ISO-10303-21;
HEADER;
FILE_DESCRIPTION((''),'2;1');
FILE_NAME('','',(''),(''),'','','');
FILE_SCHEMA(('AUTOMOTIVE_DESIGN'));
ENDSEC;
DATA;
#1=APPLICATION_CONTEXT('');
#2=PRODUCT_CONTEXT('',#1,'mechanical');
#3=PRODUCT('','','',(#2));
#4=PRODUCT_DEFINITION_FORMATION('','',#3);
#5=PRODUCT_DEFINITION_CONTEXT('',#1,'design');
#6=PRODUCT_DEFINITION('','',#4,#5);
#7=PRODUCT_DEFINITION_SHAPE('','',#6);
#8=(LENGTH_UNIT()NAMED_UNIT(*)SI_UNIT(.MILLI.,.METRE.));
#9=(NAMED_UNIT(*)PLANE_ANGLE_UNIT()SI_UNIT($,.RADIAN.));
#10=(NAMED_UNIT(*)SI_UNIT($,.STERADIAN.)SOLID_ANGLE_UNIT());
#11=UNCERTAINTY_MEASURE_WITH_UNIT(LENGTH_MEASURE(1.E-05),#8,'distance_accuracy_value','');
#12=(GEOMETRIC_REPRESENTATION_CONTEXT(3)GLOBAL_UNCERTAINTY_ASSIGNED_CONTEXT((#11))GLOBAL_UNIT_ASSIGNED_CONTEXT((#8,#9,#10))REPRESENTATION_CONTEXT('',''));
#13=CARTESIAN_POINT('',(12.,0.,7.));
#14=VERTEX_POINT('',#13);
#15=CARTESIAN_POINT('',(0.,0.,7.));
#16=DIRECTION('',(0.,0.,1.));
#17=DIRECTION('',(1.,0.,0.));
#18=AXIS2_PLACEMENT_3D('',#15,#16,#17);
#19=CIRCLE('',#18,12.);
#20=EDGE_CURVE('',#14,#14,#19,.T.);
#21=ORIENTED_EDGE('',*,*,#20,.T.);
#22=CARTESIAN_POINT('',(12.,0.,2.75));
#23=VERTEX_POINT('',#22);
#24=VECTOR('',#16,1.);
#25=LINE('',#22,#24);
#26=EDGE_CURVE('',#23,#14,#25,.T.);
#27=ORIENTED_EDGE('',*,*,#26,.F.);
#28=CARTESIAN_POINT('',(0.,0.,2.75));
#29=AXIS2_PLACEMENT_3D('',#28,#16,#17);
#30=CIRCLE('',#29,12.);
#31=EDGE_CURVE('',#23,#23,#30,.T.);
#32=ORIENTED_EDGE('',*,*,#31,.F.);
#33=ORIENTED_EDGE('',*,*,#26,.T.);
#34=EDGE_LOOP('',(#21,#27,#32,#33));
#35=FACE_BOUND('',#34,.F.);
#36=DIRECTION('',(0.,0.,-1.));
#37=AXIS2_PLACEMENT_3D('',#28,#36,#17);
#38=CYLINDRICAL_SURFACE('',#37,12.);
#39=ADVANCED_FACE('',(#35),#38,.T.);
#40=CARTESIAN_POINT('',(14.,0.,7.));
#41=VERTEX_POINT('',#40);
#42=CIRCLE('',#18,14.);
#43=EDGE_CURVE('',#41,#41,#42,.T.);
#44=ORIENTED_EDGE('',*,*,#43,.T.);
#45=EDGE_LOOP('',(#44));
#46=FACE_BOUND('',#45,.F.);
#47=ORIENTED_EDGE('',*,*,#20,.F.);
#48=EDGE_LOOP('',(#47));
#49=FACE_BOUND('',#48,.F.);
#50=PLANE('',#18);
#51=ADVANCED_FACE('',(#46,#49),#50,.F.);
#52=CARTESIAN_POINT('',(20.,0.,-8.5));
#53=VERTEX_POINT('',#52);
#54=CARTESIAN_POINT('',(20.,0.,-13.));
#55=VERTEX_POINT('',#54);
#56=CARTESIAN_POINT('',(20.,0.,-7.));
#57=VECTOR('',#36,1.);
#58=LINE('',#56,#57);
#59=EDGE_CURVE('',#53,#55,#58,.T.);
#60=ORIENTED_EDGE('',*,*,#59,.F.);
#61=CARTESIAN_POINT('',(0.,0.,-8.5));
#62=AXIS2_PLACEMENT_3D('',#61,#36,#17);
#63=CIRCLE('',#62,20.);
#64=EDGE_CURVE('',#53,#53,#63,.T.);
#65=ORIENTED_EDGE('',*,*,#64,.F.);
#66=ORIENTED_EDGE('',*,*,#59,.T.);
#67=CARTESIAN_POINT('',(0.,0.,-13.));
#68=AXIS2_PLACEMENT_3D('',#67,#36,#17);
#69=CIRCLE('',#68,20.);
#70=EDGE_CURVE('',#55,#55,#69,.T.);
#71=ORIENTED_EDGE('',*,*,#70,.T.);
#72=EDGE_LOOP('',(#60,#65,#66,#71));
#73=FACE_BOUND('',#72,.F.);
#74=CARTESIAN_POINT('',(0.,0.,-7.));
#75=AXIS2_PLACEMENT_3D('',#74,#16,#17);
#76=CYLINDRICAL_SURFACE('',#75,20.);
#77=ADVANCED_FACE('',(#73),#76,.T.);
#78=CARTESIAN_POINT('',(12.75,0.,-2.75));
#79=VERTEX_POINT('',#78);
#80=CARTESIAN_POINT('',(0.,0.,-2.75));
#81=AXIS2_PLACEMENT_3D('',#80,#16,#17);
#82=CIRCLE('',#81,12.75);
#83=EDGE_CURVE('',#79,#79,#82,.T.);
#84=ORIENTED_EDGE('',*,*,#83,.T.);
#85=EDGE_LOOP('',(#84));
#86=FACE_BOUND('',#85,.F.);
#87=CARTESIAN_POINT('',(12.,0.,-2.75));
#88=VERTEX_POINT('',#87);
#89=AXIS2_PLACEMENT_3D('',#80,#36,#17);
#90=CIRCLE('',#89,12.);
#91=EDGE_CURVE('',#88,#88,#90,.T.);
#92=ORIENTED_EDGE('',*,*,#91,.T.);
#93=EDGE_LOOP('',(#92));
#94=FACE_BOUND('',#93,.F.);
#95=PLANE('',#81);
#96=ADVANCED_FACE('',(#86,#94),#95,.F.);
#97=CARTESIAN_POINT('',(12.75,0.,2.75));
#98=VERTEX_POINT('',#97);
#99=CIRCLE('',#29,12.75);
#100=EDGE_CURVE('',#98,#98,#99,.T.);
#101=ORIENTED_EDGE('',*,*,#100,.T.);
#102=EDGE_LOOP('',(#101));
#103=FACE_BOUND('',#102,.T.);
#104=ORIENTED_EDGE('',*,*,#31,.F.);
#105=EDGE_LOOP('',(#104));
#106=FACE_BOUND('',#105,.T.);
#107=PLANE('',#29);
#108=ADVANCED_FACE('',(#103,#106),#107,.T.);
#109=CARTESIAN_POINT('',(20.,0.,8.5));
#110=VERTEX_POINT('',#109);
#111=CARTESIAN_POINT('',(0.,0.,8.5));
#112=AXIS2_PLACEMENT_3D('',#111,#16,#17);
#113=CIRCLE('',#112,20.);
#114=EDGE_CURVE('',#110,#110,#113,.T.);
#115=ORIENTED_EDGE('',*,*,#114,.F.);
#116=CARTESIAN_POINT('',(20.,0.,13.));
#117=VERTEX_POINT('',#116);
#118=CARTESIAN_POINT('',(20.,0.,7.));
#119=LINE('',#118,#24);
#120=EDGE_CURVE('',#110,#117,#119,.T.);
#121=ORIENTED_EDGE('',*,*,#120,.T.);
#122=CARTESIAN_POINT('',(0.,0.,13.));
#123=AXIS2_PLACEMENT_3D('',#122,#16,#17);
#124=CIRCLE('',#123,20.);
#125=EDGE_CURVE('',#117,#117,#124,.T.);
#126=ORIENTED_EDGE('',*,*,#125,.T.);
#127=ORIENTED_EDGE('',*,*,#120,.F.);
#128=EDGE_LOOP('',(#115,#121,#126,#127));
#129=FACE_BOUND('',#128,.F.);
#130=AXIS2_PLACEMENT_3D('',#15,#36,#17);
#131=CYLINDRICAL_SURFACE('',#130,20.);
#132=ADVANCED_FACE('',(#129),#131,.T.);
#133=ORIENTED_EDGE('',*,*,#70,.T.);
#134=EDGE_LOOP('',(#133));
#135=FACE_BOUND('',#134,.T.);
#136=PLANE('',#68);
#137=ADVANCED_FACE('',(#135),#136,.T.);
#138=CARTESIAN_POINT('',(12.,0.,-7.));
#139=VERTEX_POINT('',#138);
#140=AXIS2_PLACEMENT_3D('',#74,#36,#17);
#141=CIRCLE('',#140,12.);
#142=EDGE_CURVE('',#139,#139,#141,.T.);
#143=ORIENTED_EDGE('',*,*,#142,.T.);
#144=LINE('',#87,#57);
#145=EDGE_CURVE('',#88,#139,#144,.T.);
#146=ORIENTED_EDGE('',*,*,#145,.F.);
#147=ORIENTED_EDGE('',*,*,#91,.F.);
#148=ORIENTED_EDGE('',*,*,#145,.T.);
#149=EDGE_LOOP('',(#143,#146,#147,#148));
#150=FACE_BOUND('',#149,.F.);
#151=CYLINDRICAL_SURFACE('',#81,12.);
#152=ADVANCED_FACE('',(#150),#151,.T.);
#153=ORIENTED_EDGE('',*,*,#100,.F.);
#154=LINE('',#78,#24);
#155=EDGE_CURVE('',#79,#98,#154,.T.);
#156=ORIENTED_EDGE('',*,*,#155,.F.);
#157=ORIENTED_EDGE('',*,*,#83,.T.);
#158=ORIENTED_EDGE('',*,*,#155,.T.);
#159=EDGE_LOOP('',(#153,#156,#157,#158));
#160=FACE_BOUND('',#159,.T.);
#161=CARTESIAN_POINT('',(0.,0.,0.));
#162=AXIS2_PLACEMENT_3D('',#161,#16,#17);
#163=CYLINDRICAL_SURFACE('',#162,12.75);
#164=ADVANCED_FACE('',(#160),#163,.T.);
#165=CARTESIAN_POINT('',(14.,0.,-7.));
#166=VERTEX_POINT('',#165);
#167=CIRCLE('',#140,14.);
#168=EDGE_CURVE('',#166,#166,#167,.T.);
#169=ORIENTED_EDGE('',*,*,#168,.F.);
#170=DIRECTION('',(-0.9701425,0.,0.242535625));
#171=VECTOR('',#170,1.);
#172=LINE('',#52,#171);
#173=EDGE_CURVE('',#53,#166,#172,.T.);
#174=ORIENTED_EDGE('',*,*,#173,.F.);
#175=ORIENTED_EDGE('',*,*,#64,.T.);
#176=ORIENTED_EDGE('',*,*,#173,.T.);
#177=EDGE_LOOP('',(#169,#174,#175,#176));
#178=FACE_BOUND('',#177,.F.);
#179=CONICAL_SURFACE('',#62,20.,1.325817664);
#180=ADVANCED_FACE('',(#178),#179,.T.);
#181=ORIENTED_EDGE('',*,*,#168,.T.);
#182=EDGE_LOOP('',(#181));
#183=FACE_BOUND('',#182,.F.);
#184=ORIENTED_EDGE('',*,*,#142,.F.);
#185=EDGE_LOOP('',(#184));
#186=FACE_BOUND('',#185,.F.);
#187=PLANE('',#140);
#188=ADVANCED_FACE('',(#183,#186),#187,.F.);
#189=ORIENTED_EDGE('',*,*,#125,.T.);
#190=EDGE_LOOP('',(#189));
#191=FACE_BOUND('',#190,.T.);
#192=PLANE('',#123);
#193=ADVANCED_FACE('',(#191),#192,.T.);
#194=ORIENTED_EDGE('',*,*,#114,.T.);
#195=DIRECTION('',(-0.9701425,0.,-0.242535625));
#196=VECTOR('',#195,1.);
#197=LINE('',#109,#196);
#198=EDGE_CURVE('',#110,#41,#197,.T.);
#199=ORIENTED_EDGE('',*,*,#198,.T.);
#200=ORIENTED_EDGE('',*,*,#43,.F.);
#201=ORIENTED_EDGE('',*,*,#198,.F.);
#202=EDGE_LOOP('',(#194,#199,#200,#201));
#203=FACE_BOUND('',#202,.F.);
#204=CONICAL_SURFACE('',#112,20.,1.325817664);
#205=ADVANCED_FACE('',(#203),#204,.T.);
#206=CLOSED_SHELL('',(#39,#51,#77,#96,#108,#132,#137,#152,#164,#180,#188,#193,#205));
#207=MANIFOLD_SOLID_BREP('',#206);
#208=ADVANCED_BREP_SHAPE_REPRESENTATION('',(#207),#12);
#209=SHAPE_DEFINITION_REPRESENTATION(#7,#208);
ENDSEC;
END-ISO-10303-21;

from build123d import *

# Parameters (mm, degrees)
F0_R      = 12.75
F1_DEPTH  = 2.75
F2_R      = 12
F3_DEPTH  = 4.25
F4_R      = 20
F5_DEPTH  = 6
F6_SIZE2  = 6
F6_SIZE   = 1.5
F7_R      = 12
F8_DEPTH  = 4.25
F9_R      = 20
F10_DEPTH = 6
F11_SIZE2 = 6
F11_SIZE  = 1.5


with BuildPart() as f1:
    # F0 (on Top) → F1 (new body, symmetric)
    with BuildSketch(Plane.XY):
        Circle(F0_R)
    extrude(amount=F1_DEPTH, both=True)

    # F2 (on face) → F3 (join)
    with BuildSketch(Plane.XY.offset(2.75)):
        Circle(F2_R)
    extrude(amount=F3_DEPTH)



with BuildPart() as f5:
    # F4 (on face) → F5 (new body)
    with BuildSketch(Plane(origin=(0, 0, -7), x_dir=(1, 0, 0), z_dir=(0, 0, -1))):
        Circle(F4_R)
    extrude(amount=F5_DEPTH)

    # F6
    f6_edges = [f5.edges().sort_by_distance(p)[0] for p in [
        (-20, 0, -7),
    ]]
    chamfer(f6_edges, length=F6_SIZE, length2=F6_SIZE2)


with BuildPart() as f1_1:
    add(f1.part)

    add(f5.part)  # F8 merges F5
    # F7 (on face) → F8 (join)
    with BuildSketch(Plane(origin=(0, 0, -2.75), x_dir=(1, 0, 0), z_dir=(0, 0, -1))):
        Circle(F7_R)
    extrude(amount=F8_DEPTH)

    # F9 (on face) → F10 (join)
    with BuildSketch(Plane.XY.offset(7)):
        Circle(F9_R)
    extrude(amount=F10_DEPTH)

    # F11
    f11_edges = [f1_1.edges().sort_by_distance(p)[0] for p in [
        (-20, 0, 7),
    ]]
    chamfer(f11_edges, length=F11_SIZE, length2=F11_SIZE2)


solid = f1_1.part
